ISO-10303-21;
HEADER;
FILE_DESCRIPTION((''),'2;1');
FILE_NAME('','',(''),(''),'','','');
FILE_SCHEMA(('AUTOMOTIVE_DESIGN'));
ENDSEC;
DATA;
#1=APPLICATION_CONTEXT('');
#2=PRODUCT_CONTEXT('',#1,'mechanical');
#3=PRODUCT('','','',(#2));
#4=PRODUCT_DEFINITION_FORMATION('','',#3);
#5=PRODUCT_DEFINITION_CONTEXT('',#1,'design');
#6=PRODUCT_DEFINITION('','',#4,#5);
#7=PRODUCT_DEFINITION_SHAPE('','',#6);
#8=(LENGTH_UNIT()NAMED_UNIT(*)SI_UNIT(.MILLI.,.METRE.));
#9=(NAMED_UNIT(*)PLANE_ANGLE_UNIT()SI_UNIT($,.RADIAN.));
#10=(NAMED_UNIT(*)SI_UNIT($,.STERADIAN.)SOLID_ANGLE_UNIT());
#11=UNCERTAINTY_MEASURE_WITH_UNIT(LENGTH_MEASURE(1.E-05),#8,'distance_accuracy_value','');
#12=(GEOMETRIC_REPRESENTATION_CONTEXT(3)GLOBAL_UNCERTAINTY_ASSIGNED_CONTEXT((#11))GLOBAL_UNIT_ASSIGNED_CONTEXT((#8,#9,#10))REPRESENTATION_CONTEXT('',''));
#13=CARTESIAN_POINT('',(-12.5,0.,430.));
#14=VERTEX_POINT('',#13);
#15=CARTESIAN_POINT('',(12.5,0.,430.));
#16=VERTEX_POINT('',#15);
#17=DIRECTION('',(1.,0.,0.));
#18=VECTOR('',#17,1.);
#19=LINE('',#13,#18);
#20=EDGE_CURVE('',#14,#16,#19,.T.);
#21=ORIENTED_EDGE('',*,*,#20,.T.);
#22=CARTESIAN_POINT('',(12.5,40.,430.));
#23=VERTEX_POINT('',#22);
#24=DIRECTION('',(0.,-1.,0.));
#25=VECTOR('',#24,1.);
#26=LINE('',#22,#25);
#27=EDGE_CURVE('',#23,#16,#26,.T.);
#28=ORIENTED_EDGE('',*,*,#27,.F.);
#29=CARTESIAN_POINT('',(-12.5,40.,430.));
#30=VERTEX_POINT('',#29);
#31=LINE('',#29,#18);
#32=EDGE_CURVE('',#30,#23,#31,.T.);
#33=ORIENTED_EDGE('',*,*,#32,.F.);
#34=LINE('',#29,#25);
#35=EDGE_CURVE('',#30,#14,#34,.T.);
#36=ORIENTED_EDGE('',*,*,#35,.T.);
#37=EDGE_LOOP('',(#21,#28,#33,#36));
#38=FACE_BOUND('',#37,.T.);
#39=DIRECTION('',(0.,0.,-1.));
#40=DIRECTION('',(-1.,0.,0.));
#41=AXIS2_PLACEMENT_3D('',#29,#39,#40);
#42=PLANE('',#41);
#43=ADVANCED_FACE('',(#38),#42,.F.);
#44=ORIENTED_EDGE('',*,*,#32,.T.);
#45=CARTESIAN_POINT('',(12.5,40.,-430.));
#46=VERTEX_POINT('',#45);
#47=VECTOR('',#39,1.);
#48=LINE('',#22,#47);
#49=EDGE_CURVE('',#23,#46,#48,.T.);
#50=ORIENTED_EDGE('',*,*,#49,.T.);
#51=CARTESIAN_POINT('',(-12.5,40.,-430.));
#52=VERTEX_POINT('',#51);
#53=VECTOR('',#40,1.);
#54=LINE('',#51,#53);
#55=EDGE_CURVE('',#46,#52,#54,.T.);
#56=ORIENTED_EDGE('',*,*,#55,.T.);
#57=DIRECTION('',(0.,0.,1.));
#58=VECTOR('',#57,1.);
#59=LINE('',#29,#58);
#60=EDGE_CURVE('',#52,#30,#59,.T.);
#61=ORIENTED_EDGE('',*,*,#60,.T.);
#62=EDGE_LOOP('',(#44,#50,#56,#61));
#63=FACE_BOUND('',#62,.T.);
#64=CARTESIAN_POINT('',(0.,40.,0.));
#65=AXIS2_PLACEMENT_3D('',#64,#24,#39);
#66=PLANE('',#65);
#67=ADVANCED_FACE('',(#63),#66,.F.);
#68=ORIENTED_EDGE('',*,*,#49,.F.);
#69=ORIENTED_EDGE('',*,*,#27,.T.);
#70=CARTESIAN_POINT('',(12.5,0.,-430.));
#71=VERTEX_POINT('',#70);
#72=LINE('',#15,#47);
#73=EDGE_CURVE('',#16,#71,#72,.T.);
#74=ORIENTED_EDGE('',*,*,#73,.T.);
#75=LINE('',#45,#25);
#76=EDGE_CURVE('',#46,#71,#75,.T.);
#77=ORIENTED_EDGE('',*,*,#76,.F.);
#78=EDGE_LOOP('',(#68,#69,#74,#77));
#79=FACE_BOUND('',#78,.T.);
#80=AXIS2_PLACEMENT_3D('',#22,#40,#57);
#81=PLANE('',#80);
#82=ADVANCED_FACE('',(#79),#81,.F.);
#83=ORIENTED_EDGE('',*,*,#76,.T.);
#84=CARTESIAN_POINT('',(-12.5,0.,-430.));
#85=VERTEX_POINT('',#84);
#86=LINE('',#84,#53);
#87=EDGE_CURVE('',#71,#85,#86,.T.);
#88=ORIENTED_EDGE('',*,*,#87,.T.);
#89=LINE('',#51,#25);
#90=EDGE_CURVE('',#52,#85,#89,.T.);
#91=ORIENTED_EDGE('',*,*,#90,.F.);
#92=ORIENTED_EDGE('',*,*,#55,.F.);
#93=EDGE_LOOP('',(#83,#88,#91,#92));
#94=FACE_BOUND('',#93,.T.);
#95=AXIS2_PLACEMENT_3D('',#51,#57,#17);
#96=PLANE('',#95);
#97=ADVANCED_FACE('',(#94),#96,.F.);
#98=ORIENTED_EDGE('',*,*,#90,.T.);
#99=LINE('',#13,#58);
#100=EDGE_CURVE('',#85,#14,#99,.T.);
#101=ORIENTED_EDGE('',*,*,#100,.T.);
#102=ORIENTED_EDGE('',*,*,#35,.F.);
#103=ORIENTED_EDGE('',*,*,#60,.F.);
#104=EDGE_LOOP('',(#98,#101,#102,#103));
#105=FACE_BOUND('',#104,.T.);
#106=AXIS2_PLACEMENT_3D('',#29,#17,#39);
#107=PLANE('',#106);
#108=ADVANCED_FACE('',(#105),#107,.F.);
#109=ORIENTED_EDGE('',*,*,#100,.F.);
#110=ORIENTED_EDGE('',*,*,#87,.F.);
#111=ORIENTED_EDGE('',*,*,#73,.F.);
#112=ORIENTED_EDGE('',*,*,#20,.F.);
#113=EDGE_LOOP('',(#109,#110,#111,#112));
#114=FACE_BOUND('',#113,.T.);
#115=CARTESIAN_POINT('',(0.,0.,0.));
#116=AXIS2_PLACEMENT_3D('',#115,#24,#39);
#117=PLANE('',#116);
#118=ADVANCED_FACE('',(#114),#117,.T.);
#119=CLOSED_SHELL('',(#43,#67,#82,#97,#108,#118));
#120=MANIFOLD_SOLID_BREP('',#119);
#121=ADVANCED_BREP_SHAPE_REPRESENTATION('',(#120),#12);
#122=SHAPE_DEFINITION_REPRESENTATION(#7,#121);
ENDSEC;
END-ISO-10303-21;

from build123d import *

# Parameters (mm, degrees)
CROQUIS_TRAVESANO_W   = 25
CROQUIS_TRAVESANO_H   = 860
TRAVESANO_CORTO_DEPTH = 40


with BuildPart() as part:
    # Croquis_travesano → Travesano_corto (new body)
    with BuildSketch(Plane(origin=(0, 0, 0), x_dir=(1, 0, 0), z_dir=(0, 1, 0))):
        Rectangle(CROQUIS_TRAVESANO_W, CROQUIS_TRAVESANO_H)
    extrude(amount=TRAVESANO_CORTO_DEPTH)


solid = part.part
